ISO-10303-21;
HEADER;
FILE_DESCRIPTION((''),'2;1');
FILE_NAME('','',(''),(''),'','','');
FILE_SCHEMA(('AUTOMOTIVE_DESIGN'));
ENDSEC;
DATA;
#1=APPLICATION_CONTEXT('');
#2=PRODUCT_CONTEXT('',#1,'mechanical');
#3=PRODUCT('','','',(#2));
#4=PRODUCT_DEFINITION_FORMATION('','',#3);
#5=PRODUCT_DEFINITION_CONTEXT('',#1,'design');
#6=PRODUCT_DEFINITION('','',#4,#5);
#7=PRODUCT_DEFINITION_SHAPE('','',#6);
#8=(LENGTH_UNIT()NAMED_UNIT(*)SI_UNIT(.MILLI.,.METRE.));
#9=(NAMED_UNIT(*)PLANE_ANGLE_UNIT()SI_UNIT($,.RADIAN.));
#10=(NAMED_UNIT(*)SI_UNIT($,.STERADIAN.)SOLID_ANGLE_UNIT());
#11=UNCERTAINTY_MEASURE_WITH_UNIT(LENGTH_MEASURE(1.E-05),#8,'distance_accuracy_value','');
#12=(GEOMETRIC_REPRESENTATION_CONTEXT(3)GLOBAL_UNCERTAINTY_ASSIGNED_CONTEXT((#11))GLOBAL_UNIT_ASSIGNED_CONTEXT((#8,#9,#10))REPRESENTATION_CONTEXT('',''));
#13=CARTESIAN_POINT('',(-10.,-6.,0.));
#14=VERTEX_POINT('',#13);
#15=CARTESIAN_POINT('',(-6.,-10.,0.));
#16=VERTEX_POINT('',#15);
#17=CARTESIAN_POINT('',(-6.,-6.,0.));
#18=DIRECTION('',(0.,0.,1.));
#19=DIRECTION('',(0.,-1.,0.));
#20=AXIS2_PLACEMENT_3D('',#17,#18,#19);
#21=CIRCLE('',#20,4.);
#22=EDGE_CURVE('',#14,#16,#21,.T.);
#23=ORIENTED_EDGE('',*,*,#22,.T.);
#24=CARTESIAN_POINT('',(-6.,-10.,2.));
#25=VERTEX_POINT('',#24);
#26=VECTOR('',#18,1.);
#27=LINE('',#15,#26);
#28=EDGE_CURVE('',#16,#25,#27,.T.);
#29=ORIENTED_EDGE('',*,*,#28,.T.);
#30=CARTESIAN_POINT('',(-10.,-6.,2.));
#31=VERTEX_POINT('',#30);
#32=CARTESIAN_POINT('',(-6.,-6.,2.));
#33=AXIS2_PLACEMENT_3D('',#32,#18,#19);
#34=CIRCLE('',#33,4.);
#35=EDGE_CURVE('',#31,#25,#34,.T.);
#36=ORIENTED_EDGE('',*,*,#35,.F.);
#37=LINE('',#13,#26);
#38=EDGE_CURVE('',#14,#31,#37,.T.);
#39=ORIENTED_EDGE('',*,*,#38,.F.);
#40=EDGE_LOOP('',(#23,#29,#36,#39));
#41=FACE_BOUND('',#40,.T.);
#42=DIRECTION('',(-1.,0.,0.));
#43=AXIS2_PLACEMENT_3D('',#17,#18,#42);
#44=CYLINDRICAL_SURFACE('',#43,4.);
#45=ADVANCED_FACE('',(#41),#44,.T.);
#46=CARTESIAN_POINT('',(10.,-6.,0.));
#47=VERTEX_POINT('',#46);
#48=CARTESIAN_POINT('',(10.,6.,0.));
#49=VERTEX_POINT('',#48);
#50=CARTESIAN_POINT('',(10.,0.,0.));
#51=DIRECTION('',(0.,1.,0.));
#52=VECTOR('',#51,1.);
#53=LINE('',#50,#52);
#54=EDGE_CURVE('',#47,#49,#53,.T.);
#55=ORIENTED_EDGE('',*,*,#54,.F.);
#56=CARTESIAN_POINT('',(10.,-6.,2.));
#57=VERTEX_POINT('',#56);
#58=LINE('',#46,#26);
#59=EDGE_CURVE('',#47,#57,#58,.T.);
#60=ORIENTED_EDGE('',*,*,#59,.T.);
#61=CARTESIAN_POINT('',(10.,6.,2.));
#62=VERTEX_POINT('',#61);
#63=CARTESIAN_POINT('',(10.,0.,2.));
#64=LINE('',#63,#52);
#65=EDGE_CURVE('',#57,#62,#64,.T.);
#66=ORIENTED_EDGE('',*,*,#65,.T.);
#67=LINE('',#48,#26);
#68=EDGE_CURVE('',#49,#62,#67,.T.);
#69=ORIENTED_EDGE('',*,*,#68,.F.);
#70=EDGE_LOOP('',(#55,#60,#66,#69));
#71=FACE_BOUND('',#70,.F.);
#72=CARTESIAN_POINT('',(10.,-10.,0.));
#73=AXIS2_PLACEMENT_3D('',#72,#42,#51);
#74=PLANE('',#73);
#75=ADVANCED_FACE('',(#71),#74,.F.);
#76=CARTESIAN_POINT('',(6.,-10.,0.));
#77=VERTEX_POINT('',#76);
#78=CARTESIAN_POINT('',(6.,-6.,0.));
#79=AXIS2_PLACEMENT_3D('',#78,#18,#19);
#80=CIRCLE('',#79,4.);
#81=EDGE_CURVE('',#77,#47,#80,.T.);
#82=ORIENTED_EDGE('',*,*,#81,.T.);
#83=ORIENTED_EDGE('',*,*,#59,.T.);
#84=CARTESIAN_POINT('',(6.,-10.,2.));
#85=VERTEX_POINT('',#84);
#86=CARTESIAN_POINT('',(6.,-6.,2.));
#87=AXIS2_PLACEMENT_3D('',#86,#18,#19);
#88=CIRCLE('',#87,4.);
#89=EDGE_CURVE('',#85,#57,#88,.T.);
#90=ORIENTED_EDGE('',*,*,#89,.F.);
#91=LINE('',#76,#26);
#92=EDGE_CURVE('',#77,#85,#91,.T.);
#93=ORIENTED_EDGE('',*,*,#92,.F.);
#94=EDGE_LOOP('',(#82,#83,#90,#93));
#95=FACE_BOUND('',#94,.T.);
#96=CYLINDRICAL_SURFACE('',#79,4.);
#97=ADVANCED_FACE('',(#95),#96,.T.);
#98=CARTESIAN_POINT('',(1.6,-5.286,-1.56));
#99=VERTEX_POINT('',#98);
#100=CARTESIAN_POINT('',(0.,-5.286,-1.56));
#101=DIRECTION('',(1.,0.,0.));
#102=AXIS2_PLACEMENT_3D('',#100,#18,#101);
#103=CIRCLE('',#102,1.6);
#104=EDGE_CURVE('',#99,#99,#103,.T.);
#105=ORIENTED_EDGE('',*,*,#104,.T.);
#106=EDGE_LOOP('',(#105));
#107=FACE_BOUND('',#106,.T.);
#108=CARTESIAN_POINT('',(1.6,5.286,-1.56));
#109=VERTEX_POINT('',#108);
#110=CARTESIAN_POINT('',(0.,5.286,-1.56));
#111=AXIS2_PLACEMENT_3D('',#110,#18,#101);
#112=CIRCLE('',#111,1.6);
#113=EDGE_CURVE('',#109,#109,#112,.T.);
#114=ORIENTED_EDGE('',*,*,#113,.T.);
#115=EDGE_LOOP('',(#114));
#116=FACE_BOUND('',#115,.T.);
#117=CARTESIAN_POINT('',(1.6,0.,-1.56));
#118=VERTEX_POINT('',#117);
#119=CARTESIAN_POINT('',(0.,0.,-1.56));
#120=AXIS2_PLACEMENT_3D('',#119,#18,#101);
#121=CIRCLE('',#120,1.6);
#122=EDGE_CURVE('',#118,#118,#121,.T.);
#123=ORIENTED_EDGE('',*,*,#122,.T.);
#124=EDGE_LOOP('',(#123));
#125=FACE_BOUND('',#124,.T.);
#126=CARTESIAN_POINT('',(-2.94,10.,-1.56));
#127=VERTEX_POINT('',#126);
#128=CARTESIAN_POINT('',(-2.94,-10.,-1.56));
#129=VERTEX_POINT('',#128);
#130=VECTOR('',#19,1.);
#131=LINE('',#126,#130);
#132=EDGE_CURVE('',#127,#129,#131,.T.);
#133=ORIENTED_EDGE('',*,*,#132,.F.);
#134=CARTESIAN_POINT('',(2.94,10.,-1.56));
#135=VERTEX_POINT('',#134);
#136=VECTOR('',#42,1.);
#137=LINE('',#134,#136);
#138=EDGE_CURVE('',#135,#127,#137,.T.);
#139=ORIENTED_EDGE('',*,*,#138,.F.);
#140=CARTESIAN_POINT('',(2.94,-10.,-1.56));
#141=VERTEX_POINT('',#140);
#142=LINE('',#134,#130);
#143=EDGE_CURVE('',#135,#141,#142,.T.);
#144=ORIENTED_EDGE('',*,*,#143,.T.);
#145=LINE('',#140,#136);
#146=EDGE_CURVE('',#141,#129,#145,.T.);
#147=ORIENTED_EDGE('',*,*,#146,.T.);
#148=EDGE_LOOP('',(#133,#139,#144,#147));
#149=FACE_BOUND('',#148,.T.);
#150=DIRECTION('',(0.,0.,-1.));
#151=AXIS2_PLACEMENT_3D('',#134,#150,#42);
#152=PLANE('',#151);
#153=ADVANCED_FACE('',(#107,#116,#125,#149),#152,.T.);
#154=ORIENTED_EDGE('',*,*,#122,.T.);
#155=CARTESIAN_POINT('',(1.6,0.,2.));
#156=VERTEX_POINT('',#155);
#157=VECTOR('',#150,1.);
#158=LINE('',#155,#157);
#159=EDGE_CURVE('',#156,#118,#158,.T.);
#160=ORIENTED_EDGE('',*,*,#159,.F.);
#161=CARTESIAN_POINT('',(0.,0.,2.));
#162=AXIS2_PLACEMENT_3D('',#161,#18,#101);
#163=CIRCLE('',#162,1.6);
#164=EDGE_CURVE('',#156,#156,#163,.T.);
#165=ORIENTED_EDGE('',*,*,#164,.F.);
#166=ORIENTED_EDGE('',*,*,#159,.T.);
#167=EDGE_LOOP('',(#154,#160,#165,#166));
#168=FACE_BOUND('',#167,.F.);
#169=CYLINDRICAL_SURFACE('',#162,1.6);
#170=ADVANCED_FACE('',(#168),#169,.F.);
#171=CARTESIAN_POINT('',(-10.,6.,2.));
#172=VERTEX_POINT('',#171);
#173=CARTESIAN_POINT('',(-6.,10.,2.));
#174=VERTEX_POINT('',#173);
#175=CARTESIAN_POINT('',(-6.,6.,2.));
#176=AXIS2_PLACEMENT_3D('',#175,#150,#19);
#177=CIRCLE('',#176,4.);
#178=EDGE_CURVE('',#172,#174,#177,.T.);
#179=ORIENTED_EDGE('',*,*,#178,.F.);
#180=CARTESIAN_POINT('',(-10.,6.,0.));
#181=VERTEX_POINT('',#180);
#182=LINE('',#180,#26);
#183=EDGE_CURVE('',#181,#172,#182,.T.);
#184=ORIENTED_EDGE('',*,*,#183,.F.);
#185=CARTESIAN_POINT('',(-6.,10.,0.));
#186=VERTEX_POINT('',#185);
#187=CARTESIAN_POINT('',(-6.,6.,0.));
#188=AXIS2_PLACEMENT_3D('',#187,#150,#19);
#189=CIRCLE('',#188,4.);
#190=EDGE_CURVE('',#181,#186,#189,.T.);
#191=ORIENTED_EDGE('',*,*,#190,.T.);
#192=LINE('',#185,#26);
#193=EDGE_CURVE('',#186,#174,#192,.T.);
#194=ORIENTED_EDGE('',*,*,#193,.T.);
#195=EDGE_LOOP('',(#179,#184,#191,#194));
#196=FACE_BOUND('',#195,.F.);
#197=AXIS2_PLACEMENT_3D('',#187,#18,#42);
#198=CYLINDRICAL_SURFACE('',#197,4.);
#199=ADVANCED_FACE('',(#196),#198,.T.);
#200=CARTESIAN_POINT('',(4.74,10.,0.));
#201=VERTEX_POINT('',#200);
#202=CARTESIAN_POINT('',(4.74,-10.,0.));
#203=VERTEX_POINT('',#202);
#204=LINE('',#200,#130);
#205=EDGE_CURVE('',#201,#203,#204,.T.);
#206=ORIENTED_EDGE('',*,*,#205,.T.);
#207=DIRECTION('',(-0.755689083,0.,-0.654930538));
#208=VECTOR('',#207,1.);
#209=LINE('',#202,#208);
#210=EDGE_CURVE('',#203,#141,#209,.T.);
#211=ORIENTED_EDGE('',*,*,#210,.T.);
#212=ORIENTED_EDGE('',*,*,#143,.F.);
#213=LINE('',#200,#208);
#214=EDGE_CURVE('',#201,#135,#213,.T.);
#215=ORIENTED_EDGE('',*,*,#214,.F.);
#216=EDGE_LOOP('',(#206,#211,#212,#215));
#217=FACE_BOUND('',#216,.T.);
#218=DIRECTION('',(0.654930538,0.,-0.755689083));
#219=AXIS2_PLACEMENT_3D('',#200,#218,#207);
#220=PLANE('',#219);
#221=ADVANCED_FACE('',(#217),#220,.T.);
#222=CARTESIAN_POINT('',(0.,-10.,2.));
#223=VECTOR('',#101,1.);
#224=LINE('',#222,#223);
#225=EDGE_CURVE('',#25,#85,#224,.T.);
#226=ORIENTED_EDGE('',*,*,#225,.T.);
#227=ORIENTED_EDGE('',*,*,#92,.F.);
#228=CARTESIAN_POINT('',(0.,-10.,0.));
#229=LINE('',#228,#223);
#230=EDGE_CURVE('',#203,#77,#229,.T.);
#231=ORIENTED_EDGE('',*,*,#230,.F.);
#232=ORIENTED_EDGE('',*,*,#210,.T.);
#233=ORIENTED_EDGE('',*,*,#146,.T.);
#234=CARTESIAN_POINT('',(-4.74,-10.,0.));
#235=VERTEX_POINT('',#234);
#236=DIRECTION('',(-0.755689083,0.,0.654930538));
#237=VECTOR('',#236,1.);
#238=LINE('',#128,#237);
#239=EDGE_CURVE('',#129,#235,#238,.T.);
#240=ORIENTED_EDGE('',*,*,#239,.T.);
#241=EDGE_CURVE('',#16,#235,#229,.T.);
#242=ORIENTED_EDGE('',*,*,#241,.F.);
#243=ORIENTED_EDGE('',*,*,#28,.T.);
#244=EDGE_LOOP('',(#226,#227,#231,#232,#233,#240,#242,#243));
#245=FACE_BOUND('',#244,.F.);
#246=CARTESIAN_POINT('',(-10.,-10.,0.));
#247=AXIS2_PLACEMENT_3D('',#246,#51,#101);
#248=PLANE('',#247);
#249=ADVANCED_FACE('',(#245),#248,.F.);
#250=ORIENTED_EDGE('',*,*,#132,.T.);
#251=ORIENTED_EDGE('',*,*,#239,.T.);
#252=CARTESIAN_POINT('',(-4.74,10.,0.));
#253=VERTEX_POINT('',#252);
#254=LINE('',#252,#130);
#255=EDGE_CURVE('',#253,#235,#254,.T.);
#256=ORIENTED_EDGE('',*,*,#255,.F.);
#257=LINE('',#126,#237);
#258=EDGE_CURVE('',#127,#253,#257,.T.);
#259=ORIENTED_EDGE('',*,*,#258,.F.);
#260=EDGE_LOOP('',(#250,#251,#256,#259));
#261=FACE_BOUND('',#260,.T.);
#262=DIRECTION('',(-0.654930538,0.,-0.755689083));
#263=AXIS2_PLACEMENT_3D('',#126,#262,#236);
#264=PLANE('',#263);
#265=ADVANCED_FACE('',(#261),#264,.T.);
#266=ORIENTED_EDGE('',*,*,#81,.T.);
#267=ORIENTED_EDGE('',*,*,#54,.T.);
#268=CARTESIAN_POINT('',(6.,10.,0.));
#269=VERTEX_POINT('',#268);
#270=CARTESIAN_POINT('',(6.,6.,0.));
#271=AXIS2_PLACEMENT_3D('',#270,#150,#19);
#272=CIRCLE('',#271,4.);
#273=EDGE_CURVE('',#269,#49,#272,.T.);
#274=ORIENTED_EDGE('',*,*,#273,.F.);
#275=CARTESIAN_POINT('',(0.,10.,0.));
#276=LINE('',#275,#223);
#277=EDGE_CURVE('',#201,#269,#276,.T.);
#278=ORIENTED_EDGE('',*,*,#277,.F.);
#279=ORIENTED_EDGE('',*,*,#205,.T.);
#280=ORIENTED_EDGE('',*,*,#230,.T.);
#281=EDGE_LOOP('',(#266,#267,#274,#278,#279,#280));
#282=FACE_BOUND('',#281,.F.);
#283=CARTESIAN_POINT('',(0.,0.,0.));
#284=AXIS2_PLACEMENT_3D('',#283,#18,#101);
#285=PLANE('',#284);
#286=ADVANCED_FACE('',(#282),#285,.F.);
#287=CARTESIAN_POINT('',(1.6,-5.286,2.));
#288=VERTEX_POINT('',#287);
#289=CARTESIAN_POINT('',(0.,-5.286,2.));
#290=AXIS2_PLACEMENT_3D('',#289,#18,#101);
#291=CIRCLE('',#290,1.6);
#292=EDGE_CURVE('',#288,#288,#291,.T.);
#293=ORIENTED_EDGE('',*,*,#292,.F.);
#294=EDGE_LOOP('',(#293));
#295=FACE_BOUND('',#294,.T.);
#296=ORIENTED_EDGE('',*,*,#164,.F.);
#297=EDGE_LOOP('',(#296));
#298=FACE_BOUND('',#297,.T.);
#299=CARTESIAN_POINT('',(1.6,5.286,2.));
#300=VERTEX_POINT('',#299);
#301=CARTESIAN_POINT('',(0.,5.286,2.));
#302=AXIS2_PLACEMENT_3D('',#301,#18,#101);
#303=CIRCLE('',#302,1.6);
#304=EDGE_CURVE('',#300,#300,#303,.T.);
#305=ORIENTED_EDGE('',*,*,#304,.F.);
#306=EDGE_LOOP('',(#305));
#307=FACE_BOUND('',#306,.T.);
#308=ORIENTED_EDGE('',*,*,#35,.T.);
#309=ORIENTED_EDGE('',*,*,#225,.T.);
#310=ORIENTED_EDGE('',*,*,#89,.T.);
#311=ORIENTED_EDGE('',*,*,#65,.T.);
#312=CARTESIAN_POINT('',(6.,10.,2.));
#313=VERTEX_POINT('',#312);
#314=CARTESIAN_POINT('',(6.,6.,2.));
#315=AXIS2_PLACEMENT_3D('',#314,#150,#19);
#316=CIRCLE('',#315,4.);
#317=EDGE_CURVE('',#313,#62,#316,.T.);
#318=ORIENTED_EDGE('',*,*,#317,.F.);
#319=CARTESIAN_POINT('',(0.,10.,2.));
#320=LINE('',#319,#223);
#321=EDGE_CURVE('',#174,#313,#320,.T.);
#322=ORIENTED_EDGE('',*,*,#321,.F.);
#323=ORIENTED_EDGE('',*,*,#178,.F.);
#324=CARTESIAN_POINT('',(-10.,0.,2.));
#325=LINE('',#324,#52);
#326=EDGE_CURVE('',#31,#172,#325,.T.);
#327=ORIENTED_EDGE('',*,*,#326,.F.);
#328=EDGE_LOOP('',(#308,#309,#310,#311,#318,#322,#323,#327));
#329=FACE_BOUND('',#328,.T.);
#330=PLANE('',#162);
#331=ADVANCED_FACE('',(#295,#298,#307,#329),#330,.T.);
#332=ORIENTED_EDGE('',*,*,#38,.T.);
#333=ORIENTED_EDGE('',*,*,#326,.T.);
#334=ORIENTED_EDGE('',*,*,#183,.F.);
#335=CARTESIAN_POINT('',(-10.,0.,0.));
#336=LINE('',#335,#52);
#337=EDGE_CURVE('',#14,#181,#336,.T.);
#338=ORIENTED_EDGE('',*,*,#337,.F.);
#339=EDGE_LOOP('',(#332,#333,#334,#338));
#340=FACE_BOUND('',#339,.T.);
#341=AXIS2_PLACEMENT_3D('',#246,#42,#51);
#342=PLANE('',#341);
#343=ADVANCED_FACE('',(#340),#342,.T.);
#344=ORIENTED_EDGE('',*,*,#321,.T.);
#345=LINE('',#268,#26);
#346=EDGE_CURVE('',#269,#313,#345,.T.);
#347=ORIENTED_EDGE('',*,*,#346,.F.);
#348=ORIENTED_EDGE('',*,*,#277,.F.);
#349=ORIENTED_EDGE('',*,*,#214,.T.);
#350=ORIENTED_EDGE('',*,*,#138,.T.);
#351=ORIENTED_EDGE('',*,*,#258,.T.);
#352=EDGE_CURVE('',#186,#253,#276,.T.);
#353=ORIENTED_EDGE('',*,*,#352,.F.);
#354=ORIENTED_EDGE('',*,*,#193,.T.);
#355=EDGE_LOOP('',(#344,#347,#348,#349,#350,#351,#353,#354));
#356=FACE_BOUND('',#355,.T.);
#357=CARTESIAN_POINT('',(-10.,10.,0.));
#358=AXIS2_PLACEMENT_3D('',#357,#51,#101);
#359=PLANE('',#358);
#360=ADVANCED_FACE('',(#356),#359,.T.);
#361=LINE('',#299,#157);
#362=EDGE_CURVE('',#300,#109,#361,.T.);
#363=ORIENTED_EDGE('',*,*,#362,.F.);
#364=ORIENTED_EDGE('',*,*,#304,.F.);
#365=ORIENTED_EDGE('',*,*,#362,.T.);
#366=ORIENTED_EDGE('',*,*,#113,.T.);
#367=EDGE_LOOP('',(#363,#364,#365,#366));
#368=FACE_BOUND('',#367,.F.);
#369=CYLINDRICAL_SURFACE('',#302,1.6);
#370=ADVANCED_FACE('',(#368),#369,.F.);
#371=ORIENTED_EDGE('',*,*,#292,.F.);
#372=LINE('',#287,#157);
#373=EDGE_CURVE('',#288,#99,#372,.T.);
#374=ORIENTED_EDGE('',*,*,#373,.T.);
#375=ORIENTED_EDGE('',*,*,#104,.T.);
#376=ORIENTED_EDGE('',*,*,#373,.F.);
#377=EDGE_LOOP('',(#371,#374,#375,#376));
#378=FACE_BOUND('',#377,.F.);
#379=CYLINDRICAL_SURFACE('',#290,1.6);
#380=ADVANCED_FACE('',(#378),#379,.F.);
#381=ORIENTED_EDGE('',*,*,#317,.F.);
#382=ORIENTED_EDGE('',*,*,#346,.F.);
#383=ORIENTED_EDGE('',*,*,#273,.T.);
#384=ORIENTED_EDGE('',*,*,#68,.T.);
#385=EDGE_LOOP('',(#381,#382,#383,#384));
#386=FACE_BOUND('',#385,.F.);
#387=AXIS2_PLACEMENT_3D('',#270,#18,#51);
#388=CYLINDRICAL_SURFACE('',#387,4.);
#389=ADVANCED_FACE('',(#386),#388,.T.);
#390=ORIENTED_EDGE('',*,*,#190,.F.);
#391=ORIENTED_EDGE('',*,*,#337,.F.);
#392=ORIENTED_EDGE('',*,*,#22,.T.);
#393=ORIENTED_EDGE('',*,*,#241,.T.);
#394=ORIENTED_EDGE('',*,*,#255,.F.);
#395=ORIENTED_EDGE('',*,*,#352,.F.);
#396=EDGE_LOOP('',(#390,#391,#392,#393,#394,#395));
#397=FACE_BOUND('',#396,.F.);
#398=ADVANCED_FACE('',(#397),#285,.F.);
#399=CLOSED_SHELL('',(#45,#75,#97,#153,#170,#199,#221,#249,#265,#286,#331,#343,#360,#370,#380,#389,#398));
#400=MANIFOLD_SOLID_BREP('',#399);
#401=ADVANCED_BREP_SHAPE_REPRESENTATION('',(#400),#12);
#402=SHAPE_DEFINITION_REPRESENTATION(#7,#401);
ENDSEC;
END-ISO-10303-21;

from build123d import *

# Parameters (mm, degrees)
SKETCH_W     = 20
SKETCH_H     = 20
PAD_DEPTH    = 2
PAD001_DEPTH = 20
SKETCH002_R  = 1.6
POCKET_DEPTH = 3.561
FILLET_R     = 4


with BuildPart() as part:
    # Sketch → Pad (new body)
    with BuildSketch(Plane.XY):
        Rectangle(SKETCH_W, SKETCH_H)
    extrude(amount=PAD_DEPTH)

    # Sketch001 (on Face1 of Pad) → Pad001 (join)
    with BuildSketch(Plane(origin=(0, 10, 0), x_dir=(-1, 0, 0), z_dir=(0, 1, 0))):
        Polygon((4.74, 0), (-4.74, 0), (-2.94, -1.56), (2.94, -1.56), align=None)
    extrude(amount=-PAD001_DEPTH)

    # Sketch002 (on Face7 of Pad001) → Pocket (cut, through all)
    with BuildSketch(Plane.XY.offset(2)):
        Circle(SKETCH002_R)
        with Locations((0, 5.286)):
            Circle(SKETCH002_R)
        with Locations((0, -5.286)):
            Circle(SKETCH002_R)
    extrude(amount=-POCKET_DEPTH, mode=Mode.SUBTRACT)

    # Fillet
    fillet_edges = [part.edges().sort_by_distance(p)[0] for p in [
        (-10, 10, 1),
        (10, 10, 1),
        (-10, -10, 1),
        (10, -10, 1),
    ]]
    fillet(fillet_edges, radius=FILLET_R)


solid = part.part
